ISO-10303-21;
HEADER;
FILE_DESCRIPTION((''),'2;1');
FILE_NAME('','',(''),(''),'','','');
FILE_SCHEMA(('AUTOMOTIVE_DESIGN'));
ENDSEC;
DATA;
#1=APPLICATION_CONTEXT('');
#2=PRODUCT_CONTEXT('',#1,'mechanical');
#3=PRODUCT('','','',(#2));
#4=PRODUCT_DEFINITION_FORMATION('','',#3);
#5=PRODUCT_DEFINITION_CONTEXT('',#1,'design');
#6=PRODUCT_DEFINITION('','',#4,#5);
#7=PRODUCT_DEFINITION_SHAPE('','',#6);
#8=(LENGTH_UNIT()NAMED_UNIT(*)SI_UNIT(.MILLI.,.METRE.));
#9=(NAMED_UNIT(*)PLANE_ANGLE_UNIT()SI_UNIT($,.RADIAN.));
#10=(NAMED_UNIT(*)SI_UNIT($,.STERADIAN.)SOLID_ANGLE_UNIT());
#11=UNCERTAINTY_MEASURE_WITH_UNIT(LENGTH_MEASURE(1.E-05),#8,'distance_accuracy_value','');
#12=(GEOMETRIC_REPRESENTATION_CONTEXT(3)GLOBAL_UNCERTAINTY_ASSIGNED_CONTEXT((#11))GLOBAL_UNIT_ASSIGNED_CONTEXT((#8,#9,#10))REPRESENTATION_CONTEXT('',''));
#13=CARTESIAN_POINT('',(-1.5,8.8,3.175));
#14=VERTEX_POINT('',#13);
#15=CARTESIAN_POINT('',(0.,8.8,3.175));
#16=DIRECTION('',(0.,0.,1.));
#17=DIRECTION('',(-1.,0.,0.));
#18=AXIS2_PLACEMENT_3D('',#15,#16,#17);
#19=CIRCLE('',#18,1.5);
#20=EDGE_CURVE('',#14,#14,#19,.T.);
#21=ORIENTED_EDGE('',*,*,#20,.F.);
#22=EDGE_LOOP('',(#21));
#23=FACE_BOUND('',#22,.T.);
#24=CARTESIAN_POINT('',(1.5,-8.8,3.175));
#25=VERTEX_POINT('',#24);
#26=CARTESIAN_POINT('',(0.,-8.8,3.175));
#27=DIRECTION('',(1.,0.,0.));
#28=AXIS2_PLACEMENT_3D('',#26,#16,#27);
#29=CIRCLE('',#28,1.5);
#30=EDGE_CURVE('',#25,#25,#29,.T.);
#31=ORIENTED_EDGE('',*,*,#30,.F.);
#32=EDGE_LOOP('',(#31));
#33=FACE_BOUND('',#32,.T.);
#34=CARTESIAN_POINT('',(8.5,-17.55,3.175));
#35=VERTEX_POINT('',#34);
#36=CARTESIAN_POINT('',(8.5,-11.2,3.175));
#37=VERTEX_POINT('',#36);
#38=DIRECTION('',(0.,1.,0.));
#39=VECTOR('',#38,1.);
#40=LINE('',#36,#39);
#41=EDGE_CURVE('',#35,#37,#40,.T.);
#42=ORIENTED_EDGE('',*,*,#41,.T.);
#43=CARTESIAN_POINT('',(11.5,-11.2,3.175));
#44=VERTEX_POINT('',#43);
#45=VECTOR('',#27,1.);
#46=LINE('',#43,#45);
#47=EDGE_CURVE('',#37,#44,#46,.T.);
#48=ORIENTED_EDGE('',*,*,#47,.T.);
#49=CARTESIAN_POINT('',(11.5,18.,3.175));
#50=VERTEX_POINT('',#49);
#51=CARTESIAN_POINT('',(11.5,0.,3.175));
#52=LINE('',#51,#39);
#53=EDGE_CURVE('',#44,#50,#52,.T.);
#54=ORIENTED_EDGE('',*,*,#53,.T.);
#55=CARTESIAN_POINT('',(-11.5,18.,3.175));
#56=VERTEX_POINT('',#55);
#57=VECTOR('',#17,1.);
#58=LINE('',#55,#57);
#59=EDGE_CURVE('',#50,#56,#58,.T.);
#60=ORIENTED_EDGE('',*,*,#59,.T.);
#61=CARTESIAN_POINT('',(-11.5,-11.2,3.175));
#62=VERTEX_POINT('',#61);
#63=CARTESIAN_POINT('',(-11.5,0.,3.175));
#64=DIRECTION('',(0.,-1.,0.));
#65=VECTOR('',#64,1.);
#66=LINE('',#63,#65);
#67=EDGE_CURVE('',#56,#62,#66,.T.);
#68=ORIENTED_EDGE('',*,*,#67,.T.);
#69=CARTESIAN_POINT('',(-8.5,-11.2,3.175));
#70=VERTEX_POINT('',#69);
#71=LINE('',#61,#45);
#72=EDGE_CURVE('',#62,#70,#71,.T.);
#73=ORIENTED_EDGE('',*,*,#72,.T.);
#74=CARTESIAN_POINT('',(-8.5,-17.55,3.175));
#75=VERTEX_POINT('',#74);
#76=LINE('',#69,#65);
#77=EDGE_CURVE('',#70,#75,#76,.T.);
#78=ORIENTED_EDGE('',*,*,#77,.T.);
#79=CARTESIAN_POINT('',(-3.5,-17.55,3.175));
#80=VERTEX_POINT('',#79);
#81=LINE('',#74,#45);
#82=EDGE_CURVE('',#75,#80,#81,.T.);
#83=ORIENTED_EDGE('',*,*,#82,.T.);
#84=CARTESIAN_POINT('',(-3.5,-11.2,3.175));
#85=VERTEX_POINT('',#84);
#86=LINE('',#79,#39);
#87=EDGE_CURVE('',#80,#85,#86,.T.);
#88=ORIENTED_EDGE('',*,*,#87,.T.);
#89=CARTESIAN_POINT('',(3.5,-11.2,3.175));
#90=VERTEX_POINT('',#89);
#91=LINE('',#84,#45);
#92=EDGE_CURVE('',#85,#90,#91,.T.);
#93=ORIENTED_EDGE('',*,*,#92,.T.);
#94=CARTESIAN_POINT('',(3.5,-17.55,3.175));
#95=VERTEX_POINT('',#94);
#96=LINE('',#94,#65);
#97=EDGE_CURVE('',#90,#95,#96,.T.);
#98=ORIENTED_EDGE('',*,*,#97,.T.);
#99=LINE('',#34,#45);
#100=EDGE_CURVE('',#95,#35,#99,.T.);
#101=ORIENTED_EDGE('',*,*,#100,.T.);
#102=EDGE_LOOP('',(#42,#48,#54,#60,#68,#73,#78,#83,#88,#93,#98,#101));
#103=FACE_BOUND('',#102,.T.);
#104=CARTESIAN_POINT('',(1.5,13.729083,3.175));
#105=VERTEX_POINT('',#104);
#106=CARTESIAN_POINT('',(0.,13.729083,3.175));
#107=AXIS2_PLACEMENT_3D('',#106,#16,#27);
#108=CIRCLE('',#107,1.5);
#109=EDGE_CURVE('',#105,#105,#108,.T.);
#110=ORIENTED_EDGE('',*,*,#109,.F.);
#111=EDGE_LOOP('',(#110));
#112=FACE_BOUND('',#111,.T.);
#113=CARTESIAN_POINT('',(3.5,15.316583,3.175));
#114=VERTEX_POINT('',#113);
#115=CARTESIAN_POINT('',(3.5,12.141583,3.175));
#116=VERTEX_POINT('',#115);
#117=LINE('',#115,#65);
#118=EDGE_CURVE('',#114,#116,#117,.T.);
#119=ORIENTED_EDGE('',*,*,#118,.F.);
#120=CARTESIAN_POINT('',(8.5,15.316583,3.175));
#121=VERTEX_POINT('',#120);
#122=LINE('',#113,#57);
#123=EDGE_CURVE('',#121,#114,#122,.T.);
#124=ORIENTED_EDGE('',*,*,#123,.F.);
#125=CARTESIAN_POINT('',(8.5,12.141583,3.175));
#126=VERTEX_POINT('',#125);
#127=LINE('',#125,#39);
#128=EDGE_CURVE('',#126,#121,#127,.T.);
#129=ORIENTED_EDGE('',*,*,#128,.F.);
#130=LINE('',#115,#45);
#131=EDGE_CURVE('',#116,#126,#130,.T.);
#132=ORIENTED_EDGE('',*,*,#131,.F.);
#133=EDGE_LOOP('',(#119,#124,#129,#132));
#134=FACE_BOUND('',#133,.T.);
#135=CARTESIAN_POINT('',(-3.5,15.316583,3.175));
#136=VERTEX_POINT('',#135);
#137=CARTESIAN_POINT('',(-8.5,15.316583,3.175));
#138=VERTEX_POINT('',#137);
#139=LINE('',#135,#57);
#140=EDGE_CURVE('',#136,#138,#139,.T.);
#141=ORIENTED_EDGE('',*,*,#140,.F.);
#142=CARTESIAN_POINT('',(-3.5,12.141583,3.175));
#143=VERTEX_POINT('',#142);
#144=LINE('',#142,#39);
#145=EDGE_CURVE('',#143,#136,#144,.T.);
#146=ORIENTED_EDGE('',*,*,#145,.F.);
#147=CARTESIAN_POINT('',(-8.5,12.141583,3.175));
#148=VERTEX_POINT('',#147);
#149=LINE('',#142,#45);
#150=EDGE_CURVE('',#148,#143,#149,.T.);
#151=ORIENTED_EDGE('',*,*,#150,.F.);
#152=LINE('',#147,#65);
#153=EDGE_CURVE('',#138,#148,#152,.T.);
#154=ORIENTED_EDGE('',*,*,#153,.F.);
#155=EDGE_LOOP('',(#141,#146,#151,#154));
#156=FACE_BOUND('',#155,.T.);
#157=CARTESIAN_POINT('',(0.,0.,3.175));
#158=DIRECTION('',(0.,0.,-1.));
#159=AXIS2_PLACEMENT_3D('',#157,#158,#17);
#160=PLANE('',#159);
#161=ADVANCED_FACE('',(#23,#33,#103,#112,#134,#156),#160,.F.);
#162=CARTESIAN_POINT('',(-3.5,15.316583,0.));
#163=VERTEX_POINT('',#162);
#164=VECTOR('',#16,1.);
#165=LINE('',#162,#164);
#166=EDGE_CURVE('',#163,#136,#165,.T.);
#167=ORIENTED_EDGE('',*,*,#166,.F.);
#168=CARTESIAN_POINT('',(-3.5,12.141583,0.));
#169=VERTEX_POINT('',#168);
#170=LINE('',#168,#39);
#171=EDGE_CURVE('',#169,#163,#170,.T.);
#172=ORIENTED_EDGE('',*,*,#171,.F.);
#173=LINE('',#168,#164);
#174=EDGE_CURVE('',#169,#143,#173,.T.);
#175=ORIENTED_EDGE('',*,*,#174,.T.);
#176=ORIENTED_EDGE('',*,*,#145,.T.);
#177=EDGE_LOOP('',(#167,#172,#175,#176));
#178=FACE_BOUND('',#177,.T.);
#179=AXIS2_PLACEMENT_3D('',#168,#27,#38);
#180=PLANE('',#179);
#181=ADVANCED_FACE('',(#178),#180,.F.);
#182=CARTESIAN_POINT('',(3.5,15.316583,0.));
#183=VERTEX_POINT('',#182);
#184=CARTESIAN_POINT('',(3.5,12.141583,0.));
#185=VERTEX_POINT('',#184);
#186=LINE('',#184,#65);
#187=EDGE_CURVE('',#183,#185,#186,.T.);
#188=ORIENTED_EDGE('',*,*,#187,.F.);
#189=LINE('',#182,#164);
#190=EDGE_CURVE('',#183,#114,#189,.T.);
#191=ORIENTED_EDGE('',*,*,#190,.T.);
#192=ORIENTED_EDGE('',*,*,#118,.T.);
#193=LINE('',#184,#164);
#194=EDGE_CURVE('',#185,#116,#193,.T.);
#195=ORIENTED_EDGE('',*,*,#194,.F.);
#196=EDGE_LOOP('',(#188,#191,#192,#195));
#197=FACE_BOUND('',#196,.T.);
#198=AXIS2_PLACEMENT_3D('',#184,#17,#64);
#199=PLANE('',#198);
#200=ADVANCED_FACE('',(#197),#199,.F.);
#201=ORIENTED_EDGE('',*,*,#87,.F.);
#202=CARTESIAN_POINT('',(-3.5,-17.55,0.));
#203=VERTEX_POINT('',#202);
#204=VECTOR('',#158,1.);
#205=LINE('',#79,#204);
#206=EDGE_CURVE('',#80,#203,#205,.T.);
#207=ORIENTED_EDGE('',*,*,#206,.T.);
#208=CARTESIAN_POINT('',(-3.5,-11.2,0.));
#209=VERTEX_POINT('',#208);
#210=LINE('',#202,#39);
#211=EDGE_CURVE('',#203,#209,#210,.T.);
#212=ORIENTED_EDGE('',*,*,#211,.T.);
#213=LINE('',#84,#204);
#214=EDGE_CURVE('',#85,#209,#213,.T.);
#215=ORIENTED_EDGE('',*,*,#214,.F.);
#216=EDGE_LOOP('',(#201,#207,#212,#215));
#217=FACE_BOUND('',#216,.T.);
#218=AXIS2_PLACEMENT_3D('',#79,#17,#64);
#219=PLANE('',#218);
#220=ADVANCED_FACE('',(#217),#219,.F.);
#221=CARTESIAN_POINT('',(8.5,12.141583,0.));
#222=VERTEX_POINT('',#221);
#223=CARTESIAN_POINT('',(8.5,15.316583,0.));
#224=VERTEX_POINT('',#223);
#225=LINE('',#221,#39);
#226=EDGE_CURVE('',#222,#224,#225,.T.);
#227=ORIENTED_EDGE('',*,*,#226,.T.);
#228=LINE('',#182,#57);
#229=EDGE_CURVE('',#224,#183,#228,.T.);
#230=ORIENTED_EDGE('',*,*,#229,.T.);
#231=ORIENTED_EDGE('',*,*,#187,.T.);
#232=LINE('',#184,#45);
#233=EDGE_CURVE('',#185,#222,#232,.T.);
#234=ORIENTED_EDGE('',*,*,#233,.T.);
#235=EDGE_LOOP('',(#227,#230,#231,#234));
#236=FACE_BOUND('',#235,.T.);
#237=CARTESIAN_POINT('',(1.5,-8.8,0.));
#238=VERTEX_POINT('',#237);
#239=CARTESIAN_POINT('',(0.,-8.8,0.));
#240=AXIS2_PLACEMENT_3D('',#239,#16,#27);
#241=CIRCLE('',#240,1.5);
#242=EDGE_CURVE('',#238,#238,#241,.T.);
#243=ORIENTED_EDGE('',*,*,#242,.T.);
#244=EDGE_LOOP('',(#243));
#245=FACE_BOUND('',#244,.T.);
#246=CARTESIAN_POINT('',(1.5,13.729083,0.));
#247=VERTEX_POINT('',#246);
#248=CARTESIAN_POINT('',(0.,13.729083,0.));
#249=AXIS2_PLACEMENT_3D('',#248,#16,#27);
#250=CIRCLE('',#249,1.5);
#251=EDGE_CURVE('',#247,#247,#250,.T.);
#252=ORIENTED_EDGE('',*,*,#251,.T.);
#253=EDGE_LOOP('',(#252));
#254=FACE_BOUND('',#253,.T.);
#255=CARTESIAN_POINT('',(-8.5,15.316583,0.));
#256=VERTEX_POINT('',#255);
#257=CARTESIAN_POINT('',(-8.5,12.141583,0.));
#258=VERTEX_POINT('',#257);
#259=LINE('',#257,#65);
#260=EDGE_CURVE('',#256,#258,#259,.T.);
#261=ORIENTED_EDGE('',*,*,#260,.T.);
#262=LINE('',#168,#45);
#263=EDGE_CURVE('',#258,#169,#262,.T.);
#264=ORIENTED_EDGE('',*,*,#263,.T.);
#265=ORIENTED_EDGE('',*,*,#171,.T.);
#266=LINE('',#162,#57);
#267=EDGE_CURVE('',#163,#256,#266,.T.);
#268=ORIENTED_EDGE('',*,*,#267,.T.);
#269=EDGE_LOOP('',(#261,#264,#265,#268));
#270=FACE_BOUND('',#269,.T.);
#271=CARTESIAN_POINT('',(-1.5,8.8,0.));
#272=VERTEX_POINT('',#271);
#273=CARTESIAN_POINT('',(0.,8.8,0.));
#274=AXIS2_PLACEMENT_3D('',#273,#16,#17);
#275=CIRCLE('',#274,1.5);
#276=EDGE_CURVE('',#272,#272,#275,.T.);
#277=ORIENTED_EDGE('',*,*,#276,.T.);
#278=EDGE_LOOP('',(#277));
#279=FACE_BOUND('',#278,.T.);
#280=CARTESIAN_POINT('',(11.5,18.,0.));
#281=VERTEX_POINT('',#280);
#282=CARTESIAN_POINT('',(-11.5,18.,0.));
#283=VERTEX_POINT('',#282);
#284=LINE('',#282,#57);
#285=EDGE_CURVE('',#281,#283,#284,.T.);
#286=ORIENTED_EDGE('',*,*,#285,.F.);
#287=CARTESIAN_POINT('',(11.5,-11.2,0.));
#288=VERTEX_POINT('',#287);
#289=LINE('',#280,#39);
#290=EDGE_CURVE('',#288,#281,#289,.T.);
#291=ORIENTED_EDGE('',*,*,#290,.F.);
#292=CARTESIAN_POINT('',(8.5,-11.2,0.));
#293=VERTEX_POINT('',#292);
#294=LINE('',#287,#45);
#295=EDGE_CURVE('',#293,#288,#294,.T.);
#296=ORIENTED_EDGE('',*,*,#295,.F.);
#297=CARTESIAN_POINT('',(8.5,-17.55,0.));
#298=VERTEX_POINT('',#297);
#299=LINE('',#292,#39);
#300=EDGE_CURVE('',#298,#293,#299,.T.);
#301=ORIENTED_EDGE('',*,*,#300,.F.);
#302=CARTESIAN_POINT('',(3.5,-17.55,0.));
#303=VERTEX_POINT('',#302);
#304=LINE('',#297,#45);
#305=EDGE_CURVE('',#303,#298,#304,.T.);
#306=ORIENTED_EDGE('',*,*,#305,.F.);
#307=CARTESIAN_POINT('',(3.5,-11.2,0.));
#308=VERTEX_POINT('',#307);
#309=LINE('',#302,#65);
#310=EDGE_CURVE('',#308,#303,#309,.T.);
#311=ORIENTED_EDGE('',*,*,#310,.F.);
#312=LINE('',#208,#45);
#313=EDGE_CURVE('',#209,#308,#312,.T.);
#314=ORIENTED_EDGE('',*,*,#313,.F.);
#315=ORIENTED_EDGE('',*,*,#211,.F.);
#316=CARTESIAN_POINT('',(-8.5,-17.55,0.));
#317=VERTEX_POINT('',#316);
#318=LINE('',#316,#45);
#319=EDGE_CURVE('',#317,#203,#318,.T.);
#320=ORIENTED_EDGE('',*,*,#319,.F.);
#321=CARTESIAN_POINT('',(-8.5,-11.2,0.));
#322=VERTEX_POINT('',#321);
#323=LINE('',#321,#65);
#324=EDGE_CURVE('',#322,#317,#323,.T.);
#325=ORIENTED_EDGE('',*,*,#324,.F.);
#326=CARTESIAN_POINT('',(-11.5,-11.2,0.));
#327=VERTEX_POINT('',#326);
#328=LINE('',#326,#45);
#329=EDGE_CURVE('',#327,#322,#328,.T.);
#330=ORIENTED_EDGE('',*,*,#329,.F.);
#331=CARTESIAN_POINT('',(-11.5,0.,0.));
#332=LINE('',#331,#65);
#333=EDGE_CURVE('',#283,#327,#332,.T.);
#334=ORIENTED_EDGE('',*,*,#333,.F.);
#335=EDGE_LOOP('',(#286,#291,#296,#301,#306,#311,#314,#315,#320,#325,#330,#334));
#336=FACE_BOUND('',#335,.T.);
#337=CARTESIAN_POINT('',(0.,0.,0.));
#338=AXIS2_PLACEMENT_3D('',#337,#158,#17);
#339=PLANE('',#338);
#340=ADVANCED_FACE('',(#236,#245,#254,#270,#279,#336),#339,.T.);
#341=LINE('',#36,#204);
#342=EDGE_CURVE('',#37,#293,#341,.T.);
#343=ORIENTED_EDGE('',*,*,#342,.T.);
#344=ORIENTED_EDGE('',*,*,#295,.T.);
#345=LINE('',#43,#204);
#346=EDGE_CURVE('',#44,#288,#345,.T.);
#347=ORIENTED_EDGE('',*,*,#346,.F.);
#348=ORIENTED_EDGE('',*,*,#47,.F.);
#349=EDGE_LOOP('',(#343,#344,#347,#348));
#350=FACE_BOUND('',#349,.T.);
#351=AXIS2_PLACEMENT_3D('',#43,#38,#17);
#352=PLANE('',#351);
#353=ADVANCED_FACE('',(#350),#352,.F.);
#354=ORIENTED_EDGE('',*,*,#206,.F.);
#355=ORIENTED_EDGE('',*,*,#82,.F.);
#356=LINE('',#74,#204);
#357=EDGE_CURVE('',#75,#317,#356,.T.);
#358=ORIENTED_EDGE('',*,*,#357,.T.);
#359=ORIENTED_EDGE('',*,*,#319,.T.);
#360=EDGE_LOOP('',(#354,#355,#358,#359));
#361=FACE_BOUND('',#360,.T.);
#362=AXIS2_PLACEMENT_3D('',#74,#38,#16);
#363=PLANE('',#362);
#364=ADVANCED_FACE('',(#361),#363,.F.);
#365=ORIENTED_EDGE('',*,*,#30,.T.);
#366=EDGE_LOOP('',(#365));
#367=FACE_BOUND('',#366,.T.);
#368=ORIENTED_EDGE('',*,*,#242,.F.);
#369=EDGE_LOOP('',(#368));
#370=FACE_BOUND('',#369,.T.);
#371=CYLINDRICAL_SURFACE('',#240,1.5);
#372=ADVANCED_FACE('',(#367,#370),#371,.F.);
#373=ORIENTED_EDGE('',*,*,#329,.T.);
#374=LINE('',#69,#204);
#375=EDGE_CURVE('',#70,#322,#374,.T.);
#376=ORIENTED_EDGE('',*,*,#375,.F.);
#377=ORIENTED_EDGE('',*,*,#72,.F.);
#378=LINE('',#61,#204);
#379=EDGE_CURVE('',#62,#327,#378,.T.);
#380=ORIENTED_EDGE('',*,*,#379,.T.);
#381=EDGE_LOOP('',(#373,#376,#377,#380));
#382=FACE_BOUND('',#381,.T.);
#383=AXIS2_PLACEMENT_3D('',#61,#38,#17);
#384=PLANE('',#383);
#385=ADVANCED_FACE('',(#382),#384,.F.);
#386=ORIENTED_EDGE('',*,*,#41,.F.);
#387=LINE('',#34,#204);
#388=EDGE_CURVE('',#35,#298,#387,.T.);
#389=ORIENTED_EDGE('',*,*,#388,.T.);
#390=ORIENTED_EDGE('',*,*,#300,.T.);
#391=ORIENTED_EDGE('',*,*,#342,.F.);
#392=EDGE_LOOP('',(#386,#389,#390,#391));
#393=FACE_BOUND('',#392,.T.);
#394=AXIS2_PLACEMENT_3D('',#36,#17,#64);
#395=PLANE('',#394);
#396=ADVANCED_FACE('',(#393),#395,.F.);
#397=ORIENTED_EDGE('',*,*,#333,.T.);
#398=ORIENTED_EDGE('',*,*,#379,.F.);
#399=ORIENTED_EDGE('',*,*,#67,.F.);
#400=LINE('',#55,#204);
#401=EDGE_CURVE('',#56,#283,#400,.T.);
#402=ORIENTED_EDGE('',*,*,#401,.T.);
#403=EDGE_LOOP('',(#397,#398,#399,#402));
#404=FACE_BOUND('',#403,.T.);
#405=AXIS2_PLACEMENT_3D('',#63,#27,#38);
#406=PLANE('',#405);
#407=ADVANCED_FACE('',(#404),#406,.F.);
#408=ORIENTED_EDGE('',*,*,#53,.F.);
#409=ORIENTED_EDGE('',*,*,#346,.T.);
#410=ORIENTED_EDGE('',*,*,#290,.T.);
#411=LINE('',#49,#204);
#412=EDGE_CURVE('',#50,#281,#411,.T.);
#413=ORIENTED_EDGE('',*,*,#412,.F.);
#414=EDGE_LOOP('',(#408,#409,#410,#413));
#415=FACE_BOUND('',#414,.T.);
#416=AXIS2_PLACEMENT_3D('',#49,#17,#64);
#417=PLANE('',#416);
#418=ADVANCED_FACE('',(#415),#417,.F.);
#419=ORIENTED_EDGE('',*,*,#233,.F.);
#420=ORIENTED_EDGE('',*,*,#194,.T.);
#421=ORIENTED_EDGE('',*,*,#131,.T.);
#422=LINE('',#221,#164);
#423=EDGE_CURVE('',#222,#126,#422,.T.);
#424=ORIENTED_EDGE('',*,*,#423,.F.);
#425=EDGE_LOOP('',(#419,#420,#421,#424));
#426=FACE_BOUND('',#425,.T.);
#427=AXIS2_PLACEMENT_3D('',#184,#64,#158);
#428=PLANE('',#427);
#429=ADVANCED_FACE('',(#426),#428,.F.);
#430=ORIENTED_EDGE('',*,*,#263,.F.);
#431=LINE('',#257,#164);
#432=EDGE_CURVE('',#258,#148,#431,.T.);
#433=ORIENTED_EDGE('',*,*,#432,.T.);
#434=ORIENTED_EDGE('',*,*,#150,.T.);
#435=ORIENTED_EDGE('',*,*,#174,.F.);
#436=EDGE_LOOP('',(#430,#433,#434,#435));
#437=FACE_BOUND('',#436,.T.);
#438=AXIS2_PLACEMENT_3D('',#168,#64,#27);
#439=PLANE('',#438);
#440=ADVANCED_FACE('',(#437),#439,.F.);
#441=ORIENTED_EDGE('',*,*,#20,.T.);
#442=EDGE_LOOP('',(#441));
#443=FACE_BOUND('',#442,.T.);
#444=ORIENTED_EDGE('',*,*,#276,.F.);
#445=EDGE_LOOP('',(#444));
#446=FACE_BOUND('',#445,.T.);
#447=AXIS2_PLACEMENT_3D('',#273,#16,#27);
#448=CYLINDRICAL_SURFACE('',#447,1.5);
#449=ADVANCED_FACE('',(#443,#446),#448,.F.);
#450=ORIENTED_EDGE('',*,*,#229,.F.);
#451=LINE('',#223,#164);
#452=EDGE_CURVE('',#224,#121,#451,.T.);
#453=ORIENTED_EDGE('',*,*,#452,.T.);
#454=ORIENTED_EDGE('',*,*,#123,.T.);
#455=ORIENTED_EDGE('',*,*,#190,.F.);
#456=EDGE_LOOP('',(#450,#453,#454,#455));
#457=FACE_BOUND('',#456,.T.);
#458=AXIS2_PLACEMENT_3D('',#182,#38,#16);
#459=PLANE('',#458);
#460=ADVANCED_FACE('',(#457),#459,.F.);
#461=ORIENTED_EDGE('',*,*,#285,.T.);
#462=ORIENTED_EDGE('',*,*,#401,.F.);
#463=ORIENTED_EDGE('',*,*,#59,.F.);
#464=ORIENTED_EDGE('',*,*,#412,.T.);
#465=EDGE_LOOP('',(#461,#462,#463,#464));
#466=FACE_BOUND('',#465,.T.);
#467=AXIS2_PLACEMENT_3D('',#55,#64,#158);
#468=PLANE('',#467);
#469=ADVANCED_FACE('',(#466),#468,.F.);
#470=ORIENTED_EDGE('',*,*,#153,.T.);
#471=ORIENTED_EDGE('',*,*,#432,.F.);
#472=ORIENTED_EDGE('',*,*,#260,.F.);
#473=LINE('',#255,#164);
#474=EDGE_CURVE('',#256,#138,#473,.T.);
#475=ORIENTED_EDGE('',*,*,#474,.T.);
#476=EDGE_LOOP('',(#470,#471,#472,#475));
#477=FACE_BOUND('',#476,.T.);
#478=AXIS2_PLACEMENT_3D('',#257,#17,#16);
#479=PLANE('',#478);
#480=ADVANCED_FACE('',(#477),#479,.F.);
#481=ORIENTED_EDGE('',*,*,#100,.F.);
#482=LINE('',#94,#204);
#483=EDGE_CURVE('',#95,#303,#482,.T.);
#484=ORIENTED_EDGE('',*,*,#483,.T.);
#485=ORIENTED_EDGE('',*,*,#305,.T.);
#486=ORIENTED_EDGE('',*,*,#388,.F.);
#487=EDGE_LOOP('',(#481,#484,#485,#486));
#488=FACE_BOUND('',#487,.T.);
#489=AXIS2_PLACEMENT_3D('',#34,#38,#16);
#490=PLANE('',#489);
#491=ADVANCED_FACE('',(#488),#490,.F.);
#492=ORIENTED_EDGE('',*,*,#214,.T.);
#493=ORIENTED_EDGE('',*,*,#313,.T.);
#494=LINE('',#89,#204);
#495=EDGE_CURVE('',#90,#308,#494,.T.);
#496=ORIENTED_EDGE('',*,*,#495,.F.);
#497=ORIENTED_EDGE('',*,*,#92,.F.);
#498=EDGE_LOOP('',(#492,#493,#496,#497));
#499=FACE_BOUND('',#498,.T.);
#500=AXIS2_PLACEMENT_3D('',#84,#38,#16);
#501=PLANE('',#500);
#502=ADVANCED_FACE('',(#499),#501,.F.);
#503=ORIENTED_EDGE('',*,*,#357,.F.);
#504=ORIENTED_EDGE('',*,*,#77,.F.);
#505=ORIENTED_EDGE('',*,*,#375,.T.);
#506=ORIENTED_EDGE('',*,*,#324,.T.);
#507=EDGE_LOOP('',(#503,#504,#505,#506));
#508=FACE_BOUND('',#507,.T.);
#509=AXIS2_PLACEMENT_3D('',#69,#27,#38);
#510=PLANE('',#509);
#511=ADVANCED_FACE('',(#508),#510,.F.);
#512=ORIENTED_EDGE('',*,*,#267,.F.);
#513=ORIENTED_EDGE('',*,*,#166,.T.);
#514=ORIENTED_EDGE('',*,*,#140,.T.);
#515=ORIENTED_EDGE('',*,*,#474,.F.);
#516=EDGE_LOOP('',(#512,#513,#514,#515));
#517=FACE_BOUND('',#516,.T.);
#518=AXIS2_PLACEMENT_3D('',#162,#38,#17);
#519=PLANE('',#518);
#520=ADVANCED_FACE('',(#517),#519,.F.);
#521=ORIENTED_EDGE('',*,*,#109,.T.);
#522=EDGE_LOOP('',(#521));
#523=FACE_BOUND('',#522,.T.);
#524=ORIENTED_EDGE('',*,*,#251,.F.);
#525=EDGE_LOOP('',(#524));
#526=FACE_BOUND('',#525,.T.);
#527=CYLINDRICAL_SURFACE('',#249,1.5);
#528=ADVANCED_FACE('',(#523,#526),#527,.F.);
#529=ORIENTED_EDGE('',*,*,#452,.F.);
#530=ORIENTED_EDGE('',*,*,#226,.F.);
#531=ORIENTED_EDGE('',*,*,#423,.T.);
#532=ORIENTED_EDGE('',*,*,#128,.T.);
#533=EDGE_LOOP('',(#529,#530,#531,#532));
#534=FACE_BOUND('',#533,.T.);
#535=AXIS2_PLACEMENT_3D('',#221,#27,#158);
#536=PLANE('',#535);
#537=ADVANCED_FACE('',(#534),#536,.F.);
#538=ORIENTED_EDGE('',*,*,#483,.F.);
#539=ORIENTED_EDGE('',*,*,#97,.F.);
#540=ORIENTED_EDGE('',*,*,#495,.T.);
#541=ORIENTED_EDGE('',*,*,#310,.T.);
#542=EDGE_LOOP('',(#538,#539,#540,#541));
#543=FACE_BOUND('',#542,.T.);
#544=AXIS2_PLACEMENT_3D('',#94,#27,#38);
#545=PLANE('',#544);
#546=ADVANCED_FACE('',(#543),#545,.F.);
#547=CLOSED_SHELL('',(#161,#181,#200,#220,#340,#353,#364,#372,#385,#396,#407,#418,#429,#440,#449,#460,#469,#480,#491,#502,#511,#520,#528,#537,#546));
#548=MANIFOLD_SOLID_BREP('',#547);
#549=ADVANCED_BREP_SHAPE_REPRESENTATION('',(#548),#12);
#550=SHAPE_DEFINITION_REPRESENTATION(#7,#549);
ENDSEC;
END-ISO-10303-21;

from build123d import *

# Parameters (mm, degrees)
BOSS_EXTRUDE1_DEPTH = 3.175
SKETCH2_R           = 1.5
CUT_EXTRUDE1_DEPTH  = 22.594689741
SKETCH3_R           = 1.5
SKETCH3_W           = 5
SKETCH3_H           = 3.175
CUT_EXTRUDE2_DEPTH  = 22.594689741


with BuildPart() as part:
    # Sketch1 → Boss-Extrude1 (new body)
    with BuildSketch(Plane.XY):
        Polygon((-11.5, 0), (-11.5, -11.2), (-8.5, -11.2), (-8.5, -17.55), (-3.5, -17.55), (-3.5, -11.2), (3.5, -11.2), (3.5, -17.55), (8.5, -17.55), (8.5, -11.2), (11.5, -11.2), (11.5, 0), (11.5, 18), (-11.5, 18), align=None)
    extrude(amount=BOSS_EXTRUDE1_DEPTH)

    # Sketch2 → Cut-Extrude1 (cut, through all)
    with BuildSketch(Plane.XY.offset(3.175)):
        with Locations((0, -8.8)):
            Circle(SKETCH2_R)
        with Locations(Location((0, 8.8, 0), (0, 0, 180))):
            Circle(SKETCH2_R)
    extrude(amount=-CUT_EXTRUDE1_DEPTH, mode=Mode.SUBTRACT)

    # Sketch3 → Cut-Extrude2 (cut, through all)
    with BuildSketch(Plane.XY.offset(3.175)):
        with Locations((0, 13.72908257)):
            Circle(SKETCH3_R)
        with Locations((6, 13.72908257)):
            Rectangle(SKETCH3_W, SKETCH3_H)
        with Locations((-6, 13.72908257)):
            Rectangle(SKETCH3_W, SKETCH3_H)
    extrude(amount=-CUT_EXTRUDE2_DEPTH, mode=Mode.SUBTRACT)


solid = part.part
